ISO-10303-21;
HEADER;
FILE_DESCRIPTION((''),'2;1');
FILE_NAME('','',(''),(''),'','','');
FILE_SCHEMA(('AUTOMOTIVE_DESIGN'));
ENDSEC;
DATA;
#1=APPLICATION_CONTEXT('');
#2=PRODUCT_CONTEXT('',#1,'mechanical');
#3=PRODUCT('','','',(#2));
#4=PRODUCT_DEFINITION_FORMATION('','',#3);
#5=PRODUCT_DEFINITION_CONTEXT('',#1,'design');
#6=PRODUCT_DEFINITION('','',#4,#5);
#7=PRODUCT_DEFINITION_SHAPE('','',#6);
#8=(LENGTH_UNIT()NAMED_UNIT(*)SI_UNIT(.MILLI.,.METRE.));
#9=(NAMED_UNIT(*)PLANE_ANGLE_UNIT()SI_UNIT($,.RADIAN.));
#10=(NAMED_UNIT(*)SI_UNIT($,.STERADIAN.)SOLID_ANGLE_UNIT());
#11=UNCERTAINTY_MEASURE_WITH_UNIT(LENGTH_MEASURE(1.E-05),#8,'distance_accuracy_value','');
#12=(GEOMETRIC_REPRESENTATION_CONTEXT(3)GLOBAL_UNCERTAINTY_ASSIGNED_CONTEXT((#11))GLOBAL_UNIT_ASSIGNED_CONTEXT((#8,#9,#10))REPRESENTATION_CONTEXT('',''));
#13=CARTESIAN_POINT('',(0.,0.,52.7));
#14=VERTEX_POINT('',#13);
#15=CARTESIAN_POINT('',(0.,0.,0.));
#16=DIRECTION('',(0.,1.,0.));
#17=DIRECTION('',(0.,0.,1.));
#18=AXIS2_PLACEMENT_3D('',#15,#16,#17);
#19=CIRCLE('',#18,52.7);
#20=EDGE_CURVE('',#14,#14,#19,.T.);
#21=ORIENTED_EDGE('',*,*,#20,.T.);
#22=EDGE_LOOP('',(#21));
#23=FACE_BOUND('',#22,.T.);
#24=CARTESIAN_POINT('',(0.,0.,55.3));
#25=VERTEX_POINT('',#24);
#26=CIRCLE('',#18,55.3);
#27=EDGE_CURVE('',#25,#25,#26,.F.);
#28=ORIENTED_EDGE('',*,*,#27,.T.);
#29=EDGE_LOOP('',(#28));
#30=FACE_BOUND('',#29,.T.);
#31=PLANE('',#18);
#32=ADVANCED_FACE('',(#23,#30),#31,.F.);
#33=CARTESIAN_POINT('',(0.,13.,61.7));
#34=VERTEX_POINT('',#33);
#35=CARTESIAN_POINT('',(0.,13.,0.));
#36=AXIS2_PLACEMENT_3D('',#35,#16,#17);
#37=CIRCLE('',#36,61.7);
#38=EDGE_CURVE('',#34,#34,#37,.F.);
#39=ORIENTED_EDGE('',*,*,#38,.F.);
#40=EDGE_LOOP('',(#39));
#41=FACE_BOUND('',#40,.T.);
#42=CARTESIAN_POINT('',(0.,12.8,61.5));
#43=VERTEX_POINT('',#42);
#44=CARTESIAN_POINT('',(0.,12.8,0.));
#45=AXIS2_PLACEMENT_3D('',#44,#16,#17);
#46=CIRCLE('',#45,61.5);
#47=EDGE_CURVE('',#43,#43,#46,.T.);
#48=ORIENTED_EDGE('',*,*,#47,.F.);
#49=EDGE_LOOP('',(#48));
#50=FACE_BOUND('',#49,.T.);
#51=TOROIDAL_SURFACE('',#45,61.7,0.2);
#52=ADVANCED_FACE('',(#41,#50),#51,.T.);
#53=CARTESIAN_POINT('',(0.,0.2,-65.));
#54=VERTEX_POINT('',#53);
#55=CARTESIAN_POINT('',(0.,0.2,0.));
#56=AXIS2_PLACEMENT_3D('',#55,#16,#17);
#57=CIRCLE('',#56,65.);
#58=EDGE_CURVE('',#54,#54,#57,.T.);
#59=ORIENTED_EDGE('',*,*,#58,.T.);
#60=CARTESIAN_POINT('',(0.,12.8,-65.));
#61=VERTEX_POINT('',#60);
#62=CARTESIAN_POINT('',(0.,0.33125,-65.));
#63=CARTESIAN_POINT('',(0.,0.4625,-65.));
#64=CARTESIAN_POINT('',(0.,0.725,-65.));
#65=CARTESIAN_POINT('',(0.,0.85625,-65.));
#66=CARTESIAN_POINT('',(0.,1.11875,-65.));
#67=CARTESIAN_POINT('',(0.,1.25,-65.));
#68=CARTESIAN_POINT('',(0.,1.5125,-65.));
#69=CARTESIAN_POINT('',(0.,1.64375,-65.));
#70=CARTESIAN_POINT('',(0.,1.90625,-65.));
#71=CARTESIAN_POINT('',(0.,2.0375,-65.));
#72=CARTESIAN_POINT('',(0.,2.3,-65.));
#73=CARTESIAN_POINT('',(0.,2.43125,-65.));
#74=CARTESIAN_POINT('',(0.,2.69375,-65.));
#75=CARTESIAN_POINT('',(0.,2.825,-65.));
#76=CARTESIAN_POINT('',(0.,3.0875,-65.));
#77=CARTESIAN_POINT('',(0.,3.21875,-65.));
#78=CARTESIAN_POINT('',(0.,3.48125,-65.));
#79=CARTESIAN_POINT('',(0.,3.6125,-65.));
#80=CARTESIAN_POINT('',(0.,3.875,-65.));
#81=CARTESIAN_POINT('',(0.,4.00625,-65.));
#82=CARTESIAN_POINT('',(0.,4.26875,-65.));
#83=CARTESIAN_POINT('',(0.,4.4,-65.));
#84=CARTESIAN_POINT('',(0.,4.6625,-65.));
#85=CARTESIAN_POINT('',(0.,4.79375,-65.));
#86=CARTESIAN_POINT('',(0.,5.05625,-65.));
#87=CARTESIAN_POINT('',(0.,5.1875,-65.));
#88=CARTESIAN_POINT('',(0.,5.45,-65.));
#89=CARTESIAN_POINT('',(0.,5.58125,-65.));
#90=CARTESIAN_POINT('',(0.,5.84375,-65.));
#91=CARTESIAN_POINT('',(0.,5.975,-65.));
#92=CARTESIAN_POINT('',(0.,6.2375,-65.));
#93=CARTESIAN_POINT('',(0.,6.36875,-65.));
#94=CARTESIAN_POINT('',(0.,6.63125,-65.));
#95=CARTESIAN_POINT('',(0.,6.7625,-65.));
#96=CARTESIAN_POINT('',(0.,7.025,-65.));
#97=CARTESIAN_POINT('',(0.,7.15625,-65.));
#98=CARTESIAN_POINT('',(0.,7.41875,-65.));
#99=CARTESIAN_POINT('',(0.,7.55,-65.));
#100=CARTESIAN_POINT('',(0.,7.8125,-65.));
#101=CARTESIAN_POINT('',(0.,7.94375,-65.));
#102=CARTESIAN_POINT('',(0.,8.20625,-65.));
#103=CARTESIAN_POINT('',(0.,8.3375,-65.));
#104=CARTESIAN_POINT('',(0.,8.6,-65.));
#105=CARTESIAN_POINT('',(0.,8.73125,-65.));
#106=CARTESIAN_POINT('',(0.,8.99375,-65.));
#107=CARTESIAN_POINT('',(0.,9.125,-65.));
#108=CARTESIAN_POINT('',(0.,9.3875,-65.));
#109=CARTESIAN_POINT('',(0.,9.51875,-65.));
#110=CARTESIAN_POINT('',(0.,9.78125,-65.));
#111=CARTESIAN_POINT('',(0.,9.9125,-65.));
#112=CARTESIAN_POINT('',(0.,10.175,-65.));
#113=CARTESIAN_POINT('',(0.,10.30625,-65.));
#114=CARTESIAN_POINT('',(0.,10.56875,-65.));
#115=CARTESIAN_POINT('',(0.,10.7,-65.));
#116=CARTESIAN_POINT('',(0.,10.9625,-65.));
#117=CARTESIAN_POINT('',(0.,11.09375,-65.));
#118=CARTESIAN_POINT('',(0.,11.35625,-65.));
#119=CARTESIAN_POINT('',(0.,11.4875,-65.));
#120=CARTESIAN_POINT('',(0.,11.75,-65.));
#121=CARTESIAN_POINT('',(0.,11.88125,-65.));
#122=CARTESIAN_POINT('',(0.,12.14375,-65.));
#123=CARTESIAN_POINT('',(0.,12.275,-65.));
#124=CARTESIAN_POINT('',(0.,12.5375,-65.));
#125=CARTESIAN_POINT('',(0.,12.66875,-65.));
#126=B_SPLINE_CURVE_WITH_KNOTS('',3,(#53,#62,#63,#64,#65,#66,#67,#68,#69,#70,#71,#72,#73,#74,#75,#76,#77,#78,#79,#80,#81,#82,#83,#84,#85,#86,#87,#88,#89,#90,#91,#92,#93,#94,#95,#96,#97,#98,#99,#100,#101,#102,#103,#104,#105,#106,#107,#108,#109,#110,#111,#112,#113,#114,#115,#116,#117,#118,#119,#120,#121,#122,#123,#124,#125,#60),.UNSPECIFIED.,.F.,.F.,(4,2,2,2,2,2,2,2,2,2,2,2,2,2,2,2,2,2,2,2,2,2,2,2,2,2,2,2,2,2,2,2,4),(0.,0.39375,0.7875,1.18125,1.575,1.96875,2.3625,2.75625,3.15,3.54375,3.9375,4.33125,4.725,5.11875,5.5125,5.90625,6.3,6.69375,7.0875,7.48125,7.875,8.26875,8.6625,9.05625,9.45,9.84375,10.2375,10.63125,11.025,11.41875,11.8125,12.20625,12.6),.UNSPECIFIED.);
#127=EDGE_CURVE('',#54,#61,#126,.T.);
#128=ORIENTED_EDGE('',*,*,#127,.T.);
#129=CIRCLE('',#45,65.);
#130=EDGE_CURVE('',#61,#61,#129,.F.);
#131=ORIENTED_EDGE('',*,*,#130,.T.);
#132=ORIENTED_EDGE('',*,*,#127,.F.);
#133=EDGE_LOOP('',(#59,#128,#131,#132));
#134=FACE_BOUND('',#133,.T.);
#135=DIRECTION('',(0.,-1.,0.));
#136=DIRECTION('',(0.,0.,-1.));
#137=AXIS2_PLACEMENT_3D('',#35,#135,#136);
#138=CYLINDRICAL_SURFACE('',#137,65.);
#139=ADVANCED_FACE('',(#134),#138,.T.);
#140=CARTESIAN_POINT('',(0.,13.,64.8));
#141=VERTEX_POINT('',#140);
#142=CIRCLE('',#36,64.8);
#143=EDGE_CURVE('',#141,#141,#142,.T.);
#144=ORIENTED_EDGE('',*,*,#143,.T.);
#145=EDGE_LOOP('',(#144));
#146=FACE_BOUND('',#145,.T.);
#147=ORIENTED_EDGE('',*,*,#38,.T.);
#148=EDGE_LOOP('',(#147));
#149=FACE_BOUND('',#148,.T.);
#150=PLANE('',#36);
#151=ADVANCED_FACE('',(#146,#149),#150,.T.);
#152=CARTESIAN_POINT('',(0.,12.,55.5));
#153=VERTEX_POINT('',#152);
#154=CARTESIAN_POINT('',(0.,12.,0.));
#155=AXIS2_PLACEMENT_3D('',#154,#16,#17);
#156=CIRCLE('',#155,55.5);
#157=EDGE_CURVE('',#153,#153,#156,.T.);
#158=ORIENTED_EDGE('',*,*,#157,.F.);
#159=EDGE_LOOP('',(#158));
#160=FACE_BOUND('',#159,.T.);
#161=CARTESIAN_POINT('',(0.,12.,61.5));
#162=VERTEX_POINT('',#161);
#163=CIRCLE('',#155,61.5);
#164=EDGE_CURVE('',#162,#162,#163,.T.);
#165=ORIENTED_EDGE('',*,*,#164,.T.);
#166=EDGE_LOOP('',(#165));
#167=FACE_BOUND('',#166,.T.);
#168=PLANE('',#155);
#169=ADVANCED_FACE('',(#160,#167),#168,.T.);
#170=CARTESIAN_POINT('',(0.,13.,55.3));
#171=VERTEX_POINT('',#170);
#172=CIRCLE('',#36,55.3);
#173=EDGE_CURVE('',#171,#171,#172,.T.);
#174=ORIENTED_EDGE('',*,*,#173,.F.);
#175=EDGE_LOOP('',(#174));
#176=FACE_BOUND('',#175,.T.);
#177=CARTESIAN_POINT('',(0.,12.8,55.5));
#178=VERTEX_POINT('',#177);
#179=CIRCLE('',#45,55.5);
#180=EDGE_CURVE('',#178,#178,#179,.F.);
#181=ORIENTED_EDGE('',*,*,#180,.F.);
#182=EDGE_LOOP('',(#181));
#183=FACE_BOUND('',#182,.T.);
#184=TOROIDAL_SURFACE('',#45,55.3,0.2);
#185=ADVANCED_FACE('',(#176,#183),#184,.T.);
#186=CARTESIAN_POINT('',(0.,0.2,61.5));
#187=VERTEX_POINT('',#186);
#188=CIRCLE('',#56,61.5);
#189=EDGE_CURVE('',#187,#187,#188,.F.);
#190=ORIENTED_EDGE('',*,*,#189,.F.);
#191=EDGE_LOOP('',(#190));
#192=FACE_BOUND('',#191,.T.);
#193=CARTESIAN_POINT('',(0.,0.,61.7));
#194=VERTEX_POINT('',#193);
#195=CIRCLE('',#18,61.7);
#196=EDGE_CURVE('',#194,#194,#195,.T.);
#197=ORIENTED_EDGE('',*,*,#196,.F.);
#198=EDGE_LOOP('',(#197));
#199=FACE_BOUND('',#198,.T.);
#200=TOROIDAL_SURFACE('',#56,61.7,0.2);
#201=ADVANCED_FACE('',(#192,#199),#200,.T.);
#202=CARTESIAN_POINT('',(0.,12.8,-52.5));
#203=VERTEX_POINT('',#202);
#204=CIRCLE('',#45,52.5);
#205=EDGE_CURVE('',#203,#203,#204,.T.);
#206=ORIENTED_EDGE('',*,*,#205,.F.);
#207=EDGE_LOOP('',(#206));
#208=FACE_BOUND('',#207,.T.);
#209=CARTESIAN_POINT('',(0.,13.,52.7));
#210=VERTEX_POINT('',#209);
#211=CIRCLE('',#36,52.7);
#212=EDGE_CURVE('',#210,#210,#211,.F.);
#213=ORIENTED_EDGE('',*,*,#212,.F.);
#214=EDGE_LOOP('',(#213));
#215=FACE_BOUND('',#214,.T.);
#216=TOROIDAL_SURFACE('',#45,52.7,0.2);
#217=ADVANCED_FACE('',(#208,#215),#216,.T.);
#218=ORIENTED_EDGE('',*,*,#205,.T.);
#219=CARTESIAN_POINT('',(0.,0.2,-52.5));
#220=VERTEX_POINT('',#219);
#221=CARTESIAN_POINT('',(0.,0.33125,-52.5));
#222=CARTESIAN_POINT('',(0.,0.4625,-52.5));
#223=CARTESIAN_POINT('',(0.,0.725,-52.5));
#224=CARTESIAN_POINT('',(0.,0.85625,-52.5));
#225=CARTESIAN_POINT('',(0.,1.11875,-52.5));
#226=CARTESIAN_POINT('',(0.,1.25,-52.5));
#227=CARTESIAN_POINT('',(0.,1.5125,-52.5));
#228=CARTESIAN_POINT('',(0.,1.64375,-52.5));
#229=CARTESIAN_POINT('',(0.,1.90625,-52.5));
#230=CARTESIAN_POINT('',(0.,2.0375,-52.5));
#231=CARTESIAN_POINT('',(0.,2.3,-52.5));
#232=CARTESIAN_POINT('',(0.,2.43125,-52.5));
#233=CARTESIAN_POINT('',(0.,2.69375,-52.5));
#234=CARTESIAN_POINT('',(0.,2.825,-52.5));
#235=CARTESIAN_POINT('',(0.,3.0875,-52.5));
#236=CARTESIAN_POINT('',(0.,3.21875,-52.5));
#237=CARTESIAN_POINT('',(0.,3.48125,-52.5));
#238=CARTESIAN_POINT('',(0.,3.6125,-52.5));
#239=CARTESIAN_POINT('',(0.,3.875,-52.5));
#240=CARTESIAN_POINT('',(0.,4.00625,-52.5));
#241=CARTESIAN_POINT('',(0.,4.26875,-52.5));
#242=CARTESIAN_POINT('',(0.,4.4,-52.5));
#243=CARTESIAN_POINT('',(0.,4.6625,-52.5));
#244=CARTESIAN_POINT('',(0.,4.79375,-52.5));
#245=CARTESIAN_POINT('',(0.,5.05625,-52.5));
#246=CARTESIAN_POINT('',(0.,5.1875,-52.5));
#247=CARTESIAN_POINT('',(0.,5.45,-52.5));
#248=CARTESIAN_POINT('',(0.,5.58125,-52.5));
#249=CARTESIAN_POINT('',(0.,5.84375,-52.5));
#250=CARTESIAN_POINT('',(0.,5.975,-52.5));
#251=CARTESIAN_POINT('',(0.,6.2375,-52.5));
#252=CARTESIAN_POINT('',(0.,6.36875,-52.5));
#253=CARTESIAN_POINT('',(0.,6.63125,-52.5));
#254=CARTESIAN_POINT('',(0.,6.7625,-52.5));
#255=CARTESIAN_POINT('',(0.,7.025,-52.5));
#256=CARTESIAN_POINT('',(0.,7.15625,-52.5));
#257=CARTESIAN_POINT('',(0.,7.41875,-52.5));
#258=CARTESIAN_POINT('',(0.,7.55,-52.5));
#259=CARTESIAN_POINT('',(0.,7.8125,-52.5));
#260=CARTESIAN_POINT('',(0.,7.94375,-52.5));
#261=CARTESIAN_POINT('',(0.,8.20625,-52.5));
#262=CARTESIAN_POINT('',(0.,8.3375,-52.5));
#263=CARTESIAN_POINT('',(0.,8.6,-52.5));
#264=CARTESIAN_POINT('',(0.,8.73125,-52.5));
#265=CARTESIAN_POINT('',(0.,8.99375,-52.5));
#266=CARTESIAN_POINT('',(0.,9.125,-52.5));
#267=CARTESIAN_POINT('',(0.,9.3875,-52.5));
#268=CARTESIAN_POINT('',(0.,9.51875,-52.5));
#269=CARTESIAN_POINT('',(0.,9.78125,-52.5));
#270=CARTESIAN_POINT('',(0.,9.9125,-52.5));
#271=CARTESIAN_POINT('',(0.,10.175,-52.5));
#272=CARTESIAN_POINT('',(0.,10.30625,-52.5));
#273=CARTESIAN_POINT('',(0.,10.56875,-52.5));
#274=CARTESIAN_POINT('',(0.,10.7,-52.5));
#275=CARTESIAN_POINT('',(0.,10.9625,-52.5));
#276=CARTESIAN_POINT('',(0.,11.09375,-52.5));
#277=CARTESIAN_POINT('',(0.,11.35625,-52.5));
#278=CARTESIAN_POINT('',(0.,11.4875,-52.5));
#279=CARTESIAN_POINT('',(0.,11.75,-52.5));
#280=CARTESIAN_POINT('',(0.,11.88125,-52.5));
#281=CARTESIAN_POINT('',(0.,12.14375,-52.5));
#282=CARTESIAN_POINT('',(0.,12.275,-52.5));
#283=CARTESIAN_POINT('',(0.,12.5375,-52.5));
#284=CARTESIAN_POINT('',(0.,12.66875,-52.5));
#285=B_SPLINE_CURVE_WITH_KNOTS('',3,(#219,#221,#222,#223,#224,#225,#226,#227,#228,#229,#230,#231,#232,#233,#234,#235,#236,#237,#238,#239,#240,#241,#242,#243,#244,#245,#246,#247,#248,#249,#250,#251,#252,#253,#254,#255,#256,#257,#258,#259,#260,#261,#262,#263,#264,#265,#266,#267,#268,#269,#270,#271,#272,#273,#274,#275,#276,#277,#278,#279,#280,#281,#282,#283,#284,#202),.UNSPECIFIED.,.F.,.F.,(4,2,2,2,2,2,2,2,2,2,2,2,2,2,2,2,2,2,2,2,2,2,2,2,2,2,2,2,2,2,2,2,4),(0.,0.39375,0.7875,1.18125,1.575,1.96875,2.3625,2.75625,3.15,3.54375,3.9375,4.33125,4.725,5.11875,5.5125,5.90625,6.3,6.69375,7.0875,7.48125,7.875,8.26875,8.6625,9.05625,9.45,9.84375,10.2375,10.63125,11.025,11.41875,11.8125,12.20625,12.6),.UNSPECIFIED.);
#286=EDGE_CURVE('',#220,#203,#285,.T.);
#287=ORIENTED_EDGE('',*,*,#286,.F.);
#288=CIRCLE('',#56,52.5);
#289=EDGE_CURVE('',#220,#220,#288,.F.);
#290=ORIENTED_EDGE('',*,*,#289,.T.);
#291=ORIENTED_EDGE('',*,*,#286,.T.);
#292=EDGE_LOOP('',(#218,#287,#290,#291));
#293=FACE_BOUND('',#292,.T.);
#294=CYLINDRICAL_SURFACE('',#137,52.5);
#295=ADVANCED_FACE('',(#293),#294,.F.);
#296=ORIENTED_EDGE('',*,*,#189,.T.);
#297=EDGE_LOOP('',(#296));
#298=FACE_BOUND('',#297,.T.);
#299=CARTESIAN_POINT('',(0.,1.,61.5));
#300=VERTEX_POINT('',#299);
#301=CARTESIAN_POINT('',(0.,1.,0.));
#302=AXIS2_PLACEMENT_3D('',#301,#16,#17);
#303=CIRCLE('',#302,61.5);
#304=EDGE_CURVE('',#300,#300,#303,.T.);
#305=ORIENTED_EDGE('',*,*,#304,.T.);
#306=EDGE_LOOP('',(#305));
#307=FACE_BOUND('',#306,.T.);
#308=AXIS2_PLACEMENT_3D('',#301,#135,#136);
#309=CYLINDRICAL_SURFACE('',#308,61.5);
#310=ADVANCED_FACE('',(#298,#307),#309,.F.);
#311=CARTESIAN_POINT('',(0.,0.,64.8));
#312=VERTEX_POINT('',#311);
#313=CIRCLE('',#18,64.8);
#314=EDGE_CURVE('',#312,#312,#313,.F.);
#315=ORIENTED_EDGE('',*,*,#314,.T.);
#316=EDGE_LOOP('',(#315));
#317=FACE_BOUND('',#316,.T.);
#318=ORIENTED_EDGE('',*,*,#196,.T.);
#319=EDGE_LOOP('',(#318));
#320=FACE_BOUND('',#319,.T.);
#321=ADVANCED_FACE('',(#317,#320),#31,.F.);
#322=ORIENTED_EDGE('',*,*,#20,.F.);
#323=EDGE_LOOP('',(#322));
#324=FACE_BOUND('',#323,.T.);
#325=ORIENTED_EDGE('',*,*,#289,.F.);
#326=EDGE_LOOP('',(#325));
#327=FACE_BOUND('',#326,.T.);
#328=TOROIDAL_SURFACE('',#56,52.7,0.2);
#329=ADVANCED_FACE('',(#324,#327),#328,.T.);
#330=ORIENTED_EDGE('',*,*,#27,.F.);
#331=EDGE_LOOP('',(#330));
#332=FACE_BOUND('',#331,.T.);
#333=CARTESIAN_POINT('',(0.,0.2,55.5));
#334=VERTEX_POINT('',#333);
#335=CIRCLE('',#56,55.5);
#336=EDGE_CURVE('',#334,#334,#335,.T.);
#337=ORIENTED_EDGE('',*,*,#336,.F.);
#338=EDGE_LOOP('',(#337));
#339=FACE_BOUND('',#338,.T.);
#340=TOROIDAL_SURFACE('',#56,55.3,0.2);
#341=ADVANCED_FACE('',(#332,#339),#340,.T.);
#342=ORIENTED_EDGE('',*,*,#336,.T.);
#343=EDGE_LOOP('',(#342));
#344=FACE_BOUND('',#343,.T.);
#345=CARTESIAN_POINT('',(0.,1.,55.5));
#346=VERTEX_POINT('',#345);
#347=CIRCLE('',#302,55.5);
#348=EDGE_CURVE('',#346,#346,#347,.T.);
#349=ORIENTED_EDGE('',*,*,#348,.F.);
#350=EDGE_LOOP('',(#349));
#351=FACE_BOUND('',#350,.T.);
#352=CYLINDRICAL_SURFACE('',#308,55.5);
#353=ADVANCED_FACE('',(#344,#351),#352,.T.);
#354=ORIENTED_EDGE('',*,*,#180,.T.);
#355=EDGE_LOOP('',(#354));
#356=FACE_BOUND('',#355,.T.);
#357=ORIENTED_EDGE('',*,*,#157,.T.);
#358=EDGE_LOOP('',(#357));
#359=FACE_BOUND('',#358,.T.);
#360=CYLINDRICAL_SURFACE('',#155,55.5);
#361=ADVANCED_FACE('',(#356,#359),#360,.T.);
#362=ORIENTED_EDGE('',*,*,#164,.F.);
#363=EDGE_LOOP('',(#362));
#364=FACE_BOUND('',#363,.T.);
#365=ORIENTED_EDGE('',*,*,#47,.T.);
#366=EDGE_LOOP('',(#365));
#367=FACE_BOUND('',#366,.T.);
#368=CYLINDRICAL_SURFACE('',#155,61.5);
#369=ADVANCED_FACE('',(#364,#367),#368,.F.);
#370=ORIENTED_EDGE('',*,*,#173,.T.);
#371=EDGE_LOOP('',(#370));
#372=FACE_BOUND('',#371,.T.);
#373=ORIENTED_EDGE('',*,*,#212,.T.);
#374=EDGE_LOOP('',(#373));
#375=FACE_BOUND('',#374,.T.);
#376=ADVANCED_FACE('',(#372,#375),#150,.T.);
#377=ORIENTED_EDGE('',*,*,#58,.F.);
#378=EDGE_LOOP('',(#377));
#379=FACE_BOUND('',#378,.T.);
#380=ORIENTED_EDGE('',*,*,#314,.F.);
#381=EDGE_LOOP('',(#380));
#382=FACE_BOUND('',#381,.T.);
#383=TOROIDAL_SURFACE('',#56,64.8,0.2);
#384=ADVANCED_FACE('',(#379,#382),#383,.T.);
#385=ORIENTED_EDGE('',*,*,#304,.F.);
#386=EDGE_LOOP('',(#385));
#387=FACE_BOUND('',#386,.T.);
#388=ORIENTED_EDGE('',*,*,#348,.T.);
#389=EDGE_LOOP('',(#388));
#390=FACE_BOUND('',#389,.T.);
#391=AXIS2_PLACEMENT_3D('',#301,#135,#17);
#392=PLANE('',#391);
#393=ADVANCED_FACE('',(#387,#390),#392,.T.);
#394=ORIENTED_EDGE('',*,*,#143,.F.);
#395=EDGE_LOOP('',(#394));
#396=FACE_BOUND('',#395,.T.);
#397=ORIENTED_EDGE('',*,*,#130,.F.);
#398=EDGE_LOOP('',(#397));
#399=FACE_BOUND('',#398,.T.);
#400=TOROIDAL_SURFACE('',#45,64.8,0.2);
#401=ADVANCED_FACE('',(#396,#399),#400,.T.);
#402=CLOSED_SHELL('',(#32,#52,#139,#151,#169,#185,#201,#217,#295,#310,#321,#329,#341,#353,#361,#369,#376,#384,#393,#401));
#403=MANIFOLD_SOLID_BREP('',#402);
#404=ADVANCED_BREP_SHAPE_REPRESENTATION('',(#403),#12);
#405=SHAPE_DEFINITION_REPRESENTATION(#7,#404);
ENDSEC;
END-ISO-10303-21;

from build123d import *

# Parameters (mm, degrees)
SKETCH_1_R          = 65
SKETCH_1_R_2        = 52.5
EXTRUDE_1_DEPTH     = 13
SKETCH_2_R          = 61.5
SKETCH_2_R_2        = 55.5
CUT_EXTRUDE_1_DEPTH = 1
FILLET_1_R          = 0.2
FILLET_2_R          = 0.2


with BuildPart() as part:
    # 草图1 → 凸台-拉伸1 (new body)
    with BuildSketch(Plane(origin=(0, 0, 0), x_dir=(1, 0, 0), z_dir=(0, 1, 0))):
        with Locations(Location((0, 0, 0), (0, 0, 90))):
            Circle(SKETCH_1_R)
        with Locations(Location((0, 0, 0), (0, 0, 90))):
            Circle(SKETCH_1_R_2, mode=Mode.SUBTRACT)
    extrude(amount=EXTRUDE_1_DEPTH)

    # 草图2 → 切除-拉伸1 (cut)
    with BuildSketch(Plane(origin=(0, 13, 0), x_dir=(1, 0, 0), z_dir=(0, 1, 0))):
        with Locations(Location((0, 0, 0), (0, 0, 270))):
            Circle(SKETCH_2_R)
        with Locations(Location((0, 0, 0), (0, 0, 270))):
            Circle(SKETCH_2_R_2, mode=Mode.SUBTRACT)
    cut_extrude_1 = extrude(amount=-CUT_EXTRUDE_1_DEPTH, mode=Mode.SUBTRACT)

    # 圆角1
    fillet_1_edges = [part.edges().sort_by_distance(p)[0] for p in [
        (0, 13, -61.5),
        (0, 13, -55.5),
        (0, 13, 65),
        (0, 13, 52.5),
    ]]
    fillet(fillet_1_edges, radius=FILLET_1_R)

    # 镜向3: 切除-拉伸1 across plane
    add(cut_extrude_1.mirror(Plane(origin=(0, 6.5, 0), x_dir=(0, 0, 1), z_dir=(0, -1, 0))), mode=Mode.SUBTRACT)

    # 圆角2
    fillet_2_edges = [part.edges().sort_by_distance(p)[0] for p in [
        (0, 0, 65),
        (0, 0, -55.5),
        (0, 0, -61.5),
        (0, 0, 52.5),
    ]]
    fillet(fillet_2_edges, radius=FILLET_2_R)


solid = part.part
